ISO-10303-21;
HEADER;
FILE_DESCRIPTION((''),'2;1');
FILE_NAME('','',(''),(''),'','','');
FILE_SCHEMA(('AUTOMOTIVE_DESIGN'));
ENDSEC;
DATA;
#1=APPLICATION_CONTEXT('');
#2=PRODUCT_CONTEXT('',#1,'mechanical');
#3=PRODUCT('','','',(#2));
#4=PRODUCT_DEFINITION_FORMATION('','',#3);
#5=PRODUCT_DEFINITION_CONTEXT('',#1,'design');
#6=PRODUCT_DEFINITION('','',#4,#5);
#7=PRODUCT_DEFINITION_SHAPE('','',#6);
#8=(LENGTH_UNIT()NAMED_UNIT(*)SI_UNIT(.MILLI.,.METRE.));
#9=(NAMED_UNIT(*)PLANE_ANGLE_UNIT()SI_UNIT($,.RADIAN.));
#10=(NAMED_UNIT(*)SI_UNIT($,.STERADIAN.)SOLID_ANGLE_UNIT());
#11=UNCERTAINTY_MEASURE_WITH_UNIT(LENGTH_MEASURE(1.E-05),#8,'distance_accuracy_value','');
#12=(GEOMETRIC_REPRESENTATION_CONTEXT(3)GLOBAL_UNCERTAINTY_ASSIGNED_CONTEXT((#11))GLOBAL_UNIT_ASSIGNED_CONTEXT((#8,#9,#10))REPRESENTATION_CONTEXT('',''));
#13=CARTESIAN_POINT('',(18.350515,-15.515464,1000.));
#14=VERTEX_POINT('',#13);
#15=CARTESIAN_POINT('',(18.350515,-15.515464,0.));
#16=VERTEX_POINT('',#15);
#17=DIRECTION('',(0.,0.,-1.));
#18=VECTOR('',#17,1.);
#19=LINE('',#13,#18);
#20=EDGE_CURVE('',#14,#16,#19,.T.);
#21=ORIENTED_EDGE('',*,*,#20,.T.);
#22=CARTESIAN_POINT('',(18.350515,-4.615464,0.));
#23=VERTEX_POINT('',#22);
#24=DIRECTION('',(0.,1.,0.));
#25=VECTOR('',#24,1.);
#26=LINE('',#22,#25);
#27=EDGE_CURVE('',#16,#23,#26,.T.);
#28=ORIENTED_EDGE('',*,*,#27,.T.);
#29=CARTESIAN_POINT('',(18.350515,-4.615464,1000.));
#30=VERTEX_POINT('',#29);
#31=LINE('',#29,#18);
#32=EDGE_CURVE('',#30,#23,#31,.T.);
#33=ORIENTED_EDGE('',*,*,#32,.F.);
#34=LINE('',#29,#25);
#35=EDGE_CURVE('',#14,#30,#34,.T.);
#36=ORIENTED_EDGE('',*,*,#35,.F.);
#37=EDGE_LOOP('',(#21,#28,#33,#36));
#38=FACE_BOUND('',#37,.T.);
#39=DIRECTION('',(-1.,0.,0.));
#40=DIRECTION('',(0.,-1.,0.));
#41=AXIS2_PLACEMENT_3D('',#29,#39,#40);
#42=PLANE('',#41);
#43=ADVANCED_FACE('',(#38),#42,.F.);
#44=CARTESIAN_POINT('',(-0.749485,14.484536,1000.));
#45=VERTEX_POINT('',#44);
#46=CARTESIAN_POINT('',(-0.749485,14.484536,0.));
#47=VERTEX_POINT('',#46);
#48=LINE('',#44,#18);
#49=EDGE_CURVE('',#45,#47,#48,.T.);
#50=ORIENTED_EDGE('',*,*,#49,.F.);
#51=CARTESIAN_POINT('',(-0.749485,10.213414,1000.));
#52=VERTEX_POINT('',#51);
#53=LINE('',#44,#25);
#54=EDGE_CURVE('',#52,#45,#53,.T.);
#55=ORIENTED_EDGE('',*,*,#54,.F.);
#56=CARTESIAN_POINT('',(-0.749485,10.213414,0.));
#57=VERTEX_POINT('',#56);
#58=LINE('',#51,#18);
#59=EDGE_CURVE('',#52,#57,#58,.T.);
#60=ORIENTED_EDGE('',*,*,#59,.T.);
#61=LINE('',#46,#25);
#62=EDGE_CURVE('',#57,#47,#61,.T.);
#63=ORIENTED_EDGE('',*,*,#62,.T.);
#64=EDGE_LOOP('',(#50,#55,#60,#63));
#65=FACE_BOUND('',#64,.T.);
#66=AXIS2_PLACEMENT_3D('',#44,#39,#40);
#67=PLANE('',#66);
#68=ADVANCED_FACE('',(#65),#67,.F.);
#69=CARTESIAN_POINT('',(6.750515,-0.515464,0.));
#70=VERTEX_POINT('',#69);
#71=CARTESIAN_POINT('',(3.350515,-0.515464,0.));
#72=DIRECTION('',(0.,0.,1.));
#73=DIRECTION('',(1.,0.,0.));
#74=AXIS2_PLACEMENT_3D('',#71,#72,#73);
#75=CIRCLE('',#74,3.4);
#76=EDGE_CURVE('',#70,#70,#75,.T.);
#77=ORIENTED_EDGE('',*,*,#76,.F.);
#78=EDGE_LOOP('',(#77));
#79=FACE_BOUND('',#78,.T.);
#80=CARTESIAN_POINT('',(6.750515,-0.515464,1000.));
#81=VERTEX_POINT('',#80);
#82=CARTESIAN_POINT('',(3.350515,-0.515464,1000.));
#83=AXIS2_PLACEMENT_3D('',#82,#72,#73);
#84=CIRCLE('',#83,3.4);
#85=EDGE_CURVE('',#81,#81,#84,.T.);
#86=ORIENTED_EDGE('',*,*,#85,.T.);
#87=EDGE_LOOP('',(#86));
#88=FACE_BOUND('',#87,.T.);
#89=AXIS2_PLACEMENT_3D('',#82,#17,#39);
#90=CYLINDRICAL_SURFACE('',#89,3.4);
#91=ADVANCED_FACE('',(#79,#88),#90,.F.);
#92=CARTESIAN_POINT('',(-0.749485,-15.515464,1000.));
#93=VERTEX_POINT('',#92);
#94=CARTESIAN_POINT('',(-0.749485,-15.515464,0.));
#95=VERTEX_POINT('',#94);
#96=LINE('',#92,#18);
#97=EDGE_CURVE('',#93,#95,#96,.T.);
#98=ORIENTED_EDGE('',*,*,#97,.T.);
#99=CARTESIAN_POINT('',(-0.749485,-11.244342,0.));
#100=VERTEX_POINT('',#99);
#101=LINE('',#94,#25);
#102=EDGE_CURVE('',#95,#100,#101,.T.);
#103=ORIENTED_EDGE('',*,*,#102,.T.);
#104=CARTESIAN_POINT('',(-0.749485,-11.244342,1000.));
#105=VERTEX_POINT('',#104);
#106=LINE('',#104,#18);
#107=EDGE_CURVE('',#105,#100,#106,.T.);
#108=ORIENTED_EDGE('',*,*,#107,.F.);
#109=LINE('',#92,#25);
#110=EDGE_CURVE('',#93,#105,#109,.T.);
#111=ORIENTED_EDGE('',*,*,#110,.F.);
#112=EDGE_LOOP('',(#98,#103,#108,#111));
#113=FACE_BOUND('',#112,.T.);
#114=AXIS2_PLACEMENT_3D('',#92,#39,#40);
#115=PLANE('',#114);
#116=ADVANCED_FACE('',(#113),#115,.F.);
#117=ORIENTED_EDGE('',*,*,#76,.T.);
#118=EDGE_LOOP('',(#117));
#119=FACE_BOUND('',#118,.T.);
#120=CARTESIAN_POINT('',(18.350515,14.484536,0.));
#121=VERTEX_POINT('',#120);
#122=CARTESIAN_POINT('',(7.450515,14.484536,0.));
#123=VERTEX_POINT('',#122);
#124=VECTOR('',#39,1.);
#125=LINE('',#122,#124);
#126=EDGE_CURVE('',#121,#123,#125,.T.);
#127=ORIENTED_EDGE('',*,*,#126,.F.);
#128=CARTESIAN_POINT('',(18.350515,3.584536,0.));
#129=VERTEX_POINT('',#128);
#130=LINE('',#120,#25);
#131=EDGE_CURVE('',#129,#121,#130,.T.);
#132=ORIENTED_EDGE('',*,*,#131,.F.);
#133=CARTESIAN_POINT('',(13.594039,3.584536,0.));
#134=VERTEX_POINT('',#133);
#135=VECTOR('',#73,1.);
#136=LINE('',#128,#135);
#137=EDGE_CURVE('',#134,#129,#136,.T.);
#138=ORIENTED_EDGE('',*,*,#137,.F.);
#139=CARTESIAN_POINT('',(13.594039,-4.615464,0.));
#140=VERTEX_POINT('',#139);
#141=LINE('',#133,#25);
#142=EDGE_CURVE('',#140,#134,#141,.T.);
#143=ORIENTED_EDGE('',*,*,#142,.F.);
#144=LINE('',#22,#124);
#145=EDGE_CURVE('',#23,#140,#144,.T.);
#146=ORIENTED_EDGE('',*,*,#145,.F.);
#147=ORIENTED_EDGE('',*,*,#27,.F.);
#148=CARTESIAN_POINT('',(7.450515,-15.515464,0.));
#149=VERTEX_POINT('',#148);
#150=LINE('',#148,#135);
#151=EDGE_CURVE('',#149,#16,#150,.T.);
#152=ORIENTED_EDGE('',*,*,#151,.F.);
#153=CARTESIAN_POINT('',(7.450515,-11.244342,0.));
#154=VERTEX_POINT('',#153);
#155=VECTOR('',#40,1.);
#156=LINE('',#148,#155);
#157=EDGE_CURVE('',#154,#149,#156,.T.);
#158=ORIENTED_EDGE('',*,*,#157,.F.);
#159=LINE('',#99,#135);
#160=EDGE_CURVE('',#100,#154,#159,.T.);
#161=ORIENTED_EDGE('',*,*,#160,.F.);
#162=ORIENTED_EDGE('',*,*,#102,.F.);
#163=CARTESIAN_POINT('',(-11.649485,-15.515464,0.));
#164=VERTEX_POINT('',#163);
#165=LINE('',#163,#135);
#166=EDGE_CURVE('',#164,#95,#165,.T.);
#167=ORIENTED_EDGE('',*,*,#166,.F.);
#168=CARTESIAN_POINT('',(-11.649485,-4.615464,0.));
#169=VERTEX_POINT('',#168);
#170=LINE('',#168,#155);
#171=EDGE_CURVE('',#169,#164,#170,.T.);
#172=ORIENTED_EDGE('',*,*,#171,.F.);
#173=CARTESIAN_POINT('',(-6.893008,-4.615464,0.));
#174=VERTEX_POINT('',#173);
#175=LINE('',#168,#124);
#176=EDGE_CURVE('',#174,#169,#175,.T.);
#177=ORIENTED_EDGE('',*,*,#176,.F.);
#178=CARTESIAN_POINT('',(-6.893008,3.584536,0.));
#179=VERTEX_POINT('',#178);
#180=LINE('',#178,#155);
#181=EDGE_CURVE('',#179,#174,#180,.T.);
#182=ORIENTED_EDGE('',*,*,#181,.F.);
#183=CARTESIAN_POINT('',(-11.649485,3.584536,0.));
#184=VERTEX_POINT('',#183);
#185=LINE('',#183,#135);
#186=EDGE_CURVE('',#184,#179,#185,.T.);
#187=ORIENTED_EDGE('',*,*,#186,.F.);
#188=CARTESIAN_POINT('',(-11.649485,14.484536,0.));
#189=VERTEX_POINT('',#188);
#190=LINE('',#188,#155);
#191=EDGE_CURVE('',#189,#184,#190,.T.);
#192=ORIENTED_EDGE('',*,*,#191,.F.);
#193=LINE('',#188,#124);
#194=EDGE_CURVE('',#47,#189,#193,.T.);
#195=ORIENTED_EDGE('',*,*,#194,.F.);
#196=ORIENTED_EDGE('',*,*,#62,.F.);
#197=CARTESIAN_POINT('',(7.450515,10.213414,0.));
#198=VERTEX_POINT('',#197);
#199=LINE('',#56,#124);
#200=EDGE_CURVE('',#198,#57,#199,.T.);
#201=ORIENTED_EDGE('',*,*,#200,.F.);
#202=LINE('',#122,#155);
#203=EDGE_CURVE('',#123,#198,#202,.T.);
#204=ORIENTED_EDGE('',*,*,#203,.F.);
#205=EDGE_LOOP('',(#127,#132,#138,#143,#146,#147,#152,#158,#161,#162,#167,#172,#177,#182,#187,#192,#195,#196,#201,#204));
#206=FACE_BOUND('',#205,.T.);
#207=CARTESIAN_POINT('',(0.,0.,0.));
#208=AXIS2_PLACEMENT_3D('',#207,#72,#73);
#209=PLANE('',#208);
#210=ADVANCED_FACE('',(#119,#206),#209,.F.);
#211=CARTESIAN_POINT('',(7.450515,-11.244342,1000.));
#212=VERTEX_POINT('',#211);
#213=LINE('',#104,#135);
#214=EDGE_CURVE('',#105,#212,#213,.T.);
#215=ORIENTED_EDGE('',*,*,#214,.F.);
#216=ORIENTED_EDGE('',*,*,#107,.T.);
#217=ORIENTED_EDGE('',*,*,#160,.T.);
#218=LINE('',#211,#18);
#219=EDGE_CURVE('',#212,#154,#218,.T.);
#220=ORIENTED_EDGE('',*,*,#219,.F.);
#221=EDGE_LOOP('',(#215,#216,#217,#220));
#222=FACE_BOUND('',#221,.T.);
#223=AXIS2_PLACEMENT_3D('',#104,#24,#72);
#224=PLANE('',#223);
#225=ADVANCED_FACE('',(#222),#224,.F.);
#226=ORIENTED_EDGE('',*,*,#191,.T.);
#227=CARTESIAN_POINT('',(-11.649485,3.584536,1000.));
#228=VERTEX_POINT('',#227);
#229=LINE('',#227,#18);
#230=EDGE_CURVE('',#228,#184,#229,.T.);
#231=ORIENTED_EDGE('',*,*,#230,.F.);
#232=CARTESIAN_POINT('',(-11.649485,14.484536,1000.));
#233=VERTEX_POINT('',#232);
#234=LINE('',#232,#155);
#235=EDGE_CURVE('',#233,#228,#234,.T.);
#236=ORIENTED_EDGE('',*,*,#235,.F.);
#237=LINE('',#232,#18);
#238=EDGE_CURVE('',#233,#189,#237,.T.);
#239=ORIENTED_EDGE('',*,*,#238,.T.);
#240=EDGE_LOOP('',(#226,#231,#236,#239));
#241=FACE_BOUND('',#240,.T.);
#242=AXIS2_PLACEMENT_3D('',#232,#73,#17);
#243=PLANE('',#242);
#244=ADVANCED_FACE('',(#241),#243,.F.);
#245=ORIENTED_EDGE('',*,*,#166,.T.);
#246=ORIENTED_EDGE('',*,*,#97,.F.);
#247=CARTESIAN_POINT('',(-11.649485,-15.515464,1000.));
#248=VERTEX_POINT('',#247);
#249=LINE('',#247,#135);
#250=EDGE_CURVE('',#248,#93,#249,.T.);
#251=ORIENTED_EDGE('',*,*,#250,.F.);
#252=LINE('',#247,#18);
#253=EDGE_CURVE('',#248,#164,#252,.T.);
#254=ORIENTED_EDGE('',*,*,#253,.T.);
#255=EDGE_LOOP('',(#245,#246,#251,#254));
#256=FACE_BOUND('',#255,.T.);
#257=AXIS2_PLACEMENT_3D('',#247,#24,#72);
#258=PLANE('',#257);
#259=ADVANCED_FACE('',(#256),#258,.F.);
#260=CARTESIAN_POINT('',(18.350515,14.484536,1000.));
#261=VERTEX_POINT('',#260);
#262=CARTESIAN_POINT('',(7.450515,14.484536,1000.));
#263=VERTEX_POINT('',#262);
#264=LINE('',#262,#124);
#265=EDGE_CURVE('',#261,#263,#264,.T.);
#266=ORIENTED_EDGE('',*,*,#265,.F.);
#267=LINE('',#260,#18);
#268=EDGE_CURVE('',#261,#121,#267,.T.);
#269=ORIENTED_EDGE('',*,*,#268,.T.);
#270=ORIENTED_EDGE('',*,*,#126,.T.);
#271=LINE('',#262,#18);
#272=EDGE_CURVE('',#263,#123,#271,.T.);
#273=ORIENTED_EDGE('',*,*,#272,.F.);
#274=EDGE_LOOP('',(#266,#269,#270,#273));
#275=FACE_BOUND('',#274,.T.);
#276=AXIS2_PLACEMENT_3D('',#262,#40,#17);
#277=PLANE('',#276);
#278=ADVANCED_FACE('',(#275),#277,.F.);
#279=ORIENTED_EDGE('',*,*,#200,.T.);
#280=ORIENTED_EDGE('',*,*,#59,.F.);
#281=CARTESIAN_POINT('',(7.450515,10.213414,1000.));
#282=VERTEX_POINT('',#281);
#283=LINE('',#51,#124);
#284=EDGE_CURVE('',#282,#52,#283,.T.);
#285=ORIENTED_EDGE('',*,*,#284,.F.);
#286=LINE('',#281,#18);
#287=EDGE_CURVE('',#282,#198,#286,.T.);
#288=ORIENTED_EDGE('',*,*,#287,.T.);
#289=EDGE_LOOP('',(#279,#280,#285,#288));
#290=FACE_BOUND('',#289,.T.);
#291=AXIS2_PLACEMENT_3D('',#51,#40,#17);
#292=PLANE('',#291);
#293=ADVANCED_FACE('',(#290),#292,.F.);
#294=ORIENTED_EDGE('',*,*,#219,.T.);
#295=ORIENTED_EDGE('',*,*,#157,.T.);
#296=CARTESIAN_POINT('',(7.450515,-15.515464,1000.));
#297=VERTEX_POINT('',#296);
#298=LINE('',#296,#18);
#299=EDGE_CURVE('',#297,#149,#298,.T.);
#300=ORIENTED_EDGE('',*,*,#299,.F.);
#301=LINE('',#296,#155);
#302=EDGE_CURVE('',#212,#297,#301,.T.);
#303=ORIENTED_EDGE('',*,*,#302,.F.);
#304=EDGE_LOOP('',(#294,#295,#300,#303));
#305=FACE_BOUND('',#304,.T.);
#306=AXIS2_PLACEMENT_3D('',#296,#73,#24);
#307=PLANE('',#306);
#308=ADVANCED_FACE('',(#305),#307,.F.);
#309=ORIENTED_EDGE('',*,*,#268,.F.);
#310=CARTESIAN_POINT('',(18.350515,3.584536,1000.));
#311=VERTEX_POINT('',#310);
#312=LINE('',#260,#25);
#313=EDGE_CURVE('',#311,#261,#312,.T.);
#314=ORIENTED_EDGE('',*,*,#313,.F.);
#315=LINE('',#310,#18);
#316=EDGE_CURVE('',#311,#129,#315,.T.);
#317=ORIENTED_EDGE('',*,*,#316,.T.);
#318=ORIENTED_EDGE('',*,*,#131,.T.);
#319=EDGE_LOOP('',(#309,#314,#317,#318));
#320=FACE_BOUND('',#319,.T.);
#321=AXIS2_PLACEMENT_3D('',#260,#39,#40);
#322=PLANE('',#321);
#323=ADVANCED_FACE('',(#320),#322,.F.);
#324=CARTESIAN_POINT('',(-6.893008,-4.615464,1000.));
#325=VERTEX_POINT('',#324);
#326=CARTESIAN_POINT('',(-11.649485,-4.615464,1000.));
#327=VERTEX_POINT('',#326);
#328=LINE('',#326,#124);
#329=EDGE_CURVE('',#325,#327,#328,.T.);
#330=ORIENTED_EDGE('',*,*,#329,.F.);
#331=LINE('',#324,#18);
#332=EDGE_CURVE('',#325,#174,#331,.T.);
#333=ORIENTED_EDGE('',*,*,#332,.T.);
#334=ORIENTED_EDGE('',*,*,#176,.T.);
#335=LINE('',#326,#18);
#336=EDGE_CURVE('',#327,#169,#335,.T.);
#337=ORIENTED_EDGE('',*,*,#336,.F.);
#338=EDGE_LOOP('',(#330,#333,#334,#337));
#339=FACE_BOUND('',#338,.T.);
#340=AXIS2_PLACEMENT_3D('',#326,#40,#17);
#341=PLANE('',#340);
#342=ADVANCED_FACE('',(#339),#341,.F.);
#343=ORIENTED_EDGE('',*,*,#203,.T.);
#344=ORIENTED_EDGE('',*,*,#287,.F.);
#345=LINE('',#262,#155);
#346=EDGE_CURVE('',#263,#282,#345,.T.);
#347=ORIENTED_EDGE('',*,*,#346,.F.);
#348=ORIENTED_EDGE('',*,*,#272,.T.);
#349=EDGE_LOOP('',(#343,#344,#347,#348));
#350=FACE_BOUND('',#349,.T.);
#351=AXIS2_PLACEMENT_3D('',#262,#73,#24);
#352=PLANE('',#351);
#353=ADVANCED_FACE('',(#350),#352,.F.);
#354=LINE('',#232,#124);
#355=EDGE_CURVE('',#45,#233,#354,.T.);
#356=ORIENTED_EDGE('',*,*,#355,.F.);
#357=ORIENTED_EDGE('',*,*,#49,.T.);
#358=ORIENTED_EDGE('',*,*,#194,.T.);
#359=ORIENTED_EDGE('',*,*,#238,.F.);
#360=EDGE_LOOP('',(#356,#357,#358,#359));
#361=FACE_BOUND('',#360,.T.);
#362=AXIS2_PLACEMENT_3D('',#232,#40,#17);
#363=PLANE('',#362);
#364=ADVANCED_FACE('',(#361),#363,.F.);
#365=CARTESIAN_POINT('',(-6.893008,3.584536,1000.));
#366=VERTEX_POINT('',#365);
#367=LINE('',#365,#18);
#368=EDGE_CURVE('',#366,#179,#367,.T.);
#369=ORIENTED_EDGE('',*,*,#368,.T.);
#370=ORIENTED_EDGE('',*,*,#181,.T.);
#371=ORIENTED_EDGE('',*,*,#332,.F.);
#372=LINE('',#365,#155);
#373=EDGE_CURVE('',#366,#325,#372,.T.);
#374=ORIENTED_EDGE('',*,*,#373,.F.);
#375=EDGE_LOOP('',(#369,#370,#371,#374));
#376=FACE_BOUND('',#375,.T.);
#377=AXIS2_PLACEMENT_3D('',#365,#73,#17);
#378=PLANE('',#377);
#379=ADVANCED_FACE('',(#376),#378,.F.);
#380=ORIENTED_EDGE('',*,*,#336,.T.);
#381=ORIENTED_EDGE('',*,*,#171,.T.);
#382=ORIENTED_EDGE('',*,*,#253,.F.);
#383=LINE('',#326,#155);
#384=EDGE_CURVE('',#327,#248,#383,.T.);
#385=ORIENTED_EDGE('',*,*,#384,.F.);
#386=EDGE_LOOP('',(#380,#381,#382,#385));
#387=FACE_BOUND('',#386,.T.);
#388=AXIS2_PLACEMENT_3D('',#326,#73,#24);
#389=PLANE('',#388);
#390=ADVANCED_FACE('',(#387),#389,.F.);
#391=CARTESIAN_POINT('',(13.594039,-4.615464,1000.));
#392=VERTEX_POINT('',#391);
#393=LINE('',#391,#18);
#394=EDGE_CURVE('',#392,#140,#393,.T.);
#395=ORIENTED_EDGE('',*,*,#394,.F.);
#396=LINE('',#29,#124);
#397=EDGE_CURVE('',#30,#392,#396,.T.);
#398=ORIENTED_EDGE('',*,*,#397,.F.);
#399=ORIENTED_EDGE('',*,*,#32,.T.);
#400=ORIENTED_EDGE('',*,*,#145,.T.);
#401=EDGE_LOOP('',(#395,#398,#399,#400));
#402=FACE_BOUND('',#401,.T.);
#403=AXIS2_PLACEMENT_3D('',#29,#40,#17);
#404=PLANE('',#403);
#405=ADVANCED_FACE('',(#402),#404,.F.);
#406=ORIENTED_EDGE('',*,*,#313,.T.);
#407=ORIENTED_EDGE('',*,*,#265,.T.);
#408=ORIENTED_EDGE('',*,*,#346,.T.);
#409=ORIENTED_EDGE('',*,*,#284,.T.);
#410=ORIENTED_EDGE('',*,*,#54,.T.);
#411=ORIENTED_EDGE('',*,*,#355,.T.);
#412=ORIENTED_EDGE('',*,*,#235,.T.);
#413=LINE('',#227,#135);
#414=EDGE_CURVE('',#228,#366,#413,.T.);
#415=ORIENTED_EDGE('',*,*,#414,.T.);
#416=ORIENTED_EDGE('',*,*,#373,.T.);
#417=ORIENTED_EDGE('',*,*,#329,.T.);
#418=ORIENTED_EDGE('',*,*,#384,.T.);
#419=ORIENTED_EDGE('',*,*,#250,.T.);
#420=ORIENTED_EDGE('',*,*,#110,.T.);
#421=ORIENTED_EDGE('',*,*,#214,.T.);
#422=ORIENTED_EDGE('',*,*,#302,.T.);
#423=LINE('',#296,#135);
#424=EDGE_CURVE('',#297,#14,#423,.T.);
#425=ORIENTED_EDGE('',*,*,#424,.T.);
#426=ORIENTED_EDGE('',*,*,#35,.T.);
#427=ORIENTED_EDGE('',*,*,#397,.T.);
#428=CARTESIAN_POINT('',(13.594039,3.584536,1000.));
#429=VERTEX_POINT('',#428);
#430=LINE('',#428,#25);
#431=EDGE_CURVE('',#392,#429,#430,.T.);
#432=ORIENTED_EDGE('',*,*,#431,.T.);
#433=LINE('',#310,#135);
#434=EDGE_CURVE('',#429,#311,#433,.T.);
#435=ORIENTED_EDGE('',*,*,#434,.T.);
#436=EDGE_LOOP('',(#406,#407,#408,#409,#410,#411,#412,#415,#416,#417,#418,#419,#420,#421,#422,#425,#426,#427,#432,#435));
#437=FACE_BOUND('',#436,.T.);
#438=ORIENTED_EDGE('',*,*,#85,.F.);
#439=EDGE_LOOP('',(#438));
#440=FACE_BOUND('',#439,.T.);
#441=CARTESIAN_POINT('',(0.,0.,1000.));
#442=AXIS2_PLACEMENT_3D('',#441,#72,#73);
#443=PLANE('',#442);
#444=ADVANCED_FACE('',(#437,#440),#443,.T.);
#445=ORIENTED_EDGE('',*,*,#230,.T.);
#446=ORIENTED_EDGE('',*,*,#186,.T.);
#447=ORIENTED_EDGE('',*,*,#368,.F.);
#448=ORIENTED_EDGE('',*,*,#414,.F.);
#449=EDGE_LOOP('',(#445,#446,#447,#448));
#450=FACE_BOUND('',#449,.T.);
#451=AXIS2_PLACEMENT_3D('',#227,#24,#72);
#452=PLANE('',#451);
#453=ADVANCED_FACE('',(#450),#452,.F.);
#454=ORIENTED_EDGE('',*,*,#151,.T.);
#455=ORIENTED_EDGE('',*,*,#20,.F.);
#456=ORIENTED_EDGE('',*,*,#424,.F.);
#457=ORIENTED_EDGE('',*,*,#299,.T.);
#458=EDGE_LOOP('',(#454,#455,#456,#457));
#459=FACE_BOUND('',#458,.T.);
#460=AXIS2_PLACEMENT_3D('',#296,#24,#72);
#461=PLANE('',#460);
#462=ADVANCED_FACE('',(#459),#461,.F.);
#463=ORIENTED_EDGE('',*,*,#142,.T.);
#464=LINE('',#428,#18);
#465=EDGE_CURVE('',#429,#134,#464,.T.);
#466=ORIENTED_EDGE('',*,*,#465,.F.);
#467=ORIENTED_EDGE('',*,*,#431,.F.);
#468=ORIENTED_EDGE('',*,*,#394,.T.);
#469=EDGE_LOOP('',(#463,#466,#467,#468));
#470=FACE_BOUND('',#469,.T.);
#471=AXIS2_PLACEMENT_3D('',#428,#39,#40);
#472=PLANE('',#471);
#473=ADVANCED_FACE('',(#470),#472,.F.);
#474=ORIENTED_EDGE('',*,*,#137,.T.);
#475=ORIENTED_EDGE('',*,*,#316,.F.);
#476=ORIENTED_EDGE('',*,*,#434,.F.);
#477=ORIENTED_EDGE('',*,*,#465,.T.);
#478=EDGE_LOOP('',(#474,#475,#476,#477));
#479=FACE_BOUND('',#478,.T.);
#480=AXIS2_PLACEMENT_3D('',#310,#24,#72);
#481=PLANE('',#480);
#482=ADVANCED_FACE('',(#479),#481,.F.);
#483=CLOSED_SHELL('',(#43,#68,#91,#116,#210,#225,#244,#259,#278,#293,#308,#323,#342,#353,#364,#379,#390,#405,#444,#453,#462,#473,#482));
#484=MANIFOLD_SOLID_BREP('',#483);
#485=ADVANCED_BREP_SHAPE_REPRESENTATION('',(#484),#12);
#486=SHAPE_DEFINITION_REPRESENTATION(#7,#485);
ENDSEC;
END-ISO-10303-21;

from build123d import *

# Parameters (mm, degrees)
SKETCH_1_R      = 3.4
EXTRUDE_1_DEPTH = 1000


with BuildPart() as part:
    # 草图1 → 凸台-拉伸1 (new body)
    with BuildSketch(Plane.XY):
        Polygon((-11.649484536, 14.484536082), (-0.749484536, 14.484536082), (-0.749484536, 10.213414009), (7.450515464, 10.213414009), (7.450515464, 14.484536082), (18.350515464, 14.484536082), (18.350515464, 3.584536082), (13.594038609, 3.584536082), (13.594038609, -4.615463918), (18.350515464, -4.615463918), (18.350515464, -15.515463918), (7.450515464, -15.515463918), (7.450515464, -11.244341844), (-0.749484536, -11.244341844), (-0.749484536, -15.515463918), (-11.649484536, -15.515463918), (-11.649484536, -4.615463918), (-6.893007681, -4.615463918), (-6.893007681, 3.584536082), (-11.649484536, 3.584536082), align=None)
        with Locations((3.350515464, -0.515463918)):
            Circle(SKETCH_1_R, mode=Mode.SUBTRACT)
    extrude(amount=EXTRUDE_1_DEPTH)


solid = part.part
